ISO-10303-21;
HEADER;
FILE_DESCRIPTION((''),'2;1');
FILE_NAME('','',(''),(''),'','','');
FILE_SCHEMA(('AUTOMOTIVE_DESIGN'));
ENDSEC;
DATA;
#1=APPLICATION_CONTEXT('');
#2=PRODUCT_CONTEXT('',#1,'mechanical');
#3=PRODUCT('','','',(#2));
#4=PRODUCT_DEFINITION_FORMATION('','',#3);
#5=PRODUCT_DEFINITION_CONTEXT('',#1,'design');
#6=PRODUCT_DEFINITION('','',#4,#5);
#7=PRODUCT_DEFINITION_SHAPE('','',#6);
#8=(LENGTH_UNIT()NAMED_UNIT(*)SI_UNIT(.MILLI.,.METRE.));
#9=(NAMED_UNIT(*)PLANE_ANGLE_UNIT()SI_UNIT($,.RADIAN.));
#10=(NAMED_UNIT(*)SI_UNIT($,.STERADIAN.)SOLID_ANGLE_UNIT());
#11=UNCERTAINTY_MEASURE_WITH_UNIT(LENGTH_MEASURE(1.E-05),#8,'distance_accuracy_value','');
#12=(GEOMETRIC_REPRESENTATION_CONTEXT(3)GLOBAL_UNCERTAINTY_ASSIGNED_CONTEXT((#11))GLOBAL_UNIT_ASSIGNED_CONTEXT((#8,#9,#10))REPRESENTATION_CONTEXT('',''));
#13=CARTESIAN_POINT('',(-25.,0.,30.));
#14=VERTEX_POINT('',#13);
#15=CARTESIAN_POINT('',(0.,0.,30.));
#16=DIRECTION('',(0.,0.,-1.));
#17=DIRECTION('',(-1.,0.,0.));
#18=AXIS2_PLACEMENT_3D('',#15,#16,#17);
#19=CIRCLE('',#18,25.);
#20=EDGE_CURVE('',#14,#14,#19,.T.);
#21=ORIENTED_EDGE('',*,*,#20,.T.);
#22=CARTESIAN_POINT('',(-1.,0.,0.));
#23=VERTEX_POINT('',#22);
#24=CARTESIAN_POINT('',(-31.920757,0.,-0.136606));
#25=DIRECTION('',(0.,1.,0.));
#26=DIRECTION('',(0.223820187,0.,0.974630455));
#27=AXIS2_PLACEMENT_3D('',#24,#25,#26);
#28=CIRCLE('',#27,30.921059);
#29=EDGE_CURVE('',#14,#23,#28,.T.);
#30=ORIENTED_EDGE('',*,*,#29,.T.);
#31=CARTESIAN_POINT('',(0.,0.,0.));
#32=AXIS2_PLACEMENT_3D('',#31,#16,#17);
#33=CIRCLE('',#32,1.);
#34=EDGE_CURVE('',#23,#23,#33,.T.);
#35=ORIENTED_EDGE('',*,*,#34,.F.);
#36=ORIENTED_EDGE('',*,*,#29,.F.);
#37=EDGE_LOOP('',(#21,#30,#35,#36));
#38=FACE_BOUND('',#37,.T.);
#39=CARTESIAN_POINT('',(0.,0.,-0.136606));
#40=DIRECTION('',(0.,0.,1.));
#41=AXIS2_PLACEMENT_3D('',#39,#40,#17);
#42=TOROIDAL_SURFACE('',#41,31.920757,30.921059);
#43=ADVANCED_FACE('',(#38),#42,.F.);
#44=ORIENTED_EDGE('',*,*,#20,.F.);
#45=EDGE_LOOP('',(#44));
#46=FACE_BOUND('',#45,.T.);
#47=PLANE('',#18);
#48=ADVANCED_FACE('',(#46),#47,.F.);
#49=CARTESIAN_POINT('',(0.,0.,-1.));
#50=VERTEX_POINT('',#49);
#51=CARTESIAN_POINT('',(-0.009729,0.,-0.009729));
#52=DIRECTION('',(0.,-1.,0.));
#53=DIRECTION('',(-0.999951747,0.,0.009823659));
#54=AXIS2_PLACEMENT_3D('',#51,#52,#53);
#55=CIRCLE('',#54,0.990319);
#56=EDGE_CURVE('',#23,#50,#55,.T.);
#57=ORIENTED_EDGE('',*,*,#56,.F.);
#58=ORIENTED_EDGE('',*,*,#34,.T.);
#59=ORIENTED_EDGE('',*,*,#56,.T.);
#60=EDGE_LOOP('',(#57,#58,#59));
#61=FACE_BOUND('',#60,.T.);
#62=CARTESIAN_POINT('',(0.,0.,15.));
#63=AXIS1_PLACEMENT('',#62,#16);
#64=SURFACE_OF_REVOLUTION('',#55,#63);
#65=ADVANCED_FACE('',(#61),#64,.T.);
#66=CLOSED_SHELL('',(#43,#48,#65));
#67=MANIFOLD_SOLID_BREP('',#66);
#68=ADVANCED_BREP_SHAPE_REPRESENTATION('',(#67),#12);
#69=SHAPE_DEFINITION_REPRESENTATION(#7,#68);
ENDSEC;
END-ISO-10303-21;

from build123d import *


with BuildPart() as f1:
    # F0 (on Front) → F1 (revolve)
    with BuildSketch(Plane.XZ):
        with BuildLine():
            Line((0, 30), (-25, 30))
            ThreePointArc((-25, 30), (-7.775467, 19.179627), (-1, 0))
            Line((-1, 0), (0, 0))
            Line((0, 0), (0, 30))
        make_face()
        with BuildLine():
            Line((0, 0), (-1, 0))
            ThreePointArc((-1, 0), (-0.70999, -0.70999), (0, -1))
            Line((0, -1), (0, 0))
        make_face()
    revolve(axis=Axis((0, 0, 15), (0, 0, -1)))


solid = f1.part
